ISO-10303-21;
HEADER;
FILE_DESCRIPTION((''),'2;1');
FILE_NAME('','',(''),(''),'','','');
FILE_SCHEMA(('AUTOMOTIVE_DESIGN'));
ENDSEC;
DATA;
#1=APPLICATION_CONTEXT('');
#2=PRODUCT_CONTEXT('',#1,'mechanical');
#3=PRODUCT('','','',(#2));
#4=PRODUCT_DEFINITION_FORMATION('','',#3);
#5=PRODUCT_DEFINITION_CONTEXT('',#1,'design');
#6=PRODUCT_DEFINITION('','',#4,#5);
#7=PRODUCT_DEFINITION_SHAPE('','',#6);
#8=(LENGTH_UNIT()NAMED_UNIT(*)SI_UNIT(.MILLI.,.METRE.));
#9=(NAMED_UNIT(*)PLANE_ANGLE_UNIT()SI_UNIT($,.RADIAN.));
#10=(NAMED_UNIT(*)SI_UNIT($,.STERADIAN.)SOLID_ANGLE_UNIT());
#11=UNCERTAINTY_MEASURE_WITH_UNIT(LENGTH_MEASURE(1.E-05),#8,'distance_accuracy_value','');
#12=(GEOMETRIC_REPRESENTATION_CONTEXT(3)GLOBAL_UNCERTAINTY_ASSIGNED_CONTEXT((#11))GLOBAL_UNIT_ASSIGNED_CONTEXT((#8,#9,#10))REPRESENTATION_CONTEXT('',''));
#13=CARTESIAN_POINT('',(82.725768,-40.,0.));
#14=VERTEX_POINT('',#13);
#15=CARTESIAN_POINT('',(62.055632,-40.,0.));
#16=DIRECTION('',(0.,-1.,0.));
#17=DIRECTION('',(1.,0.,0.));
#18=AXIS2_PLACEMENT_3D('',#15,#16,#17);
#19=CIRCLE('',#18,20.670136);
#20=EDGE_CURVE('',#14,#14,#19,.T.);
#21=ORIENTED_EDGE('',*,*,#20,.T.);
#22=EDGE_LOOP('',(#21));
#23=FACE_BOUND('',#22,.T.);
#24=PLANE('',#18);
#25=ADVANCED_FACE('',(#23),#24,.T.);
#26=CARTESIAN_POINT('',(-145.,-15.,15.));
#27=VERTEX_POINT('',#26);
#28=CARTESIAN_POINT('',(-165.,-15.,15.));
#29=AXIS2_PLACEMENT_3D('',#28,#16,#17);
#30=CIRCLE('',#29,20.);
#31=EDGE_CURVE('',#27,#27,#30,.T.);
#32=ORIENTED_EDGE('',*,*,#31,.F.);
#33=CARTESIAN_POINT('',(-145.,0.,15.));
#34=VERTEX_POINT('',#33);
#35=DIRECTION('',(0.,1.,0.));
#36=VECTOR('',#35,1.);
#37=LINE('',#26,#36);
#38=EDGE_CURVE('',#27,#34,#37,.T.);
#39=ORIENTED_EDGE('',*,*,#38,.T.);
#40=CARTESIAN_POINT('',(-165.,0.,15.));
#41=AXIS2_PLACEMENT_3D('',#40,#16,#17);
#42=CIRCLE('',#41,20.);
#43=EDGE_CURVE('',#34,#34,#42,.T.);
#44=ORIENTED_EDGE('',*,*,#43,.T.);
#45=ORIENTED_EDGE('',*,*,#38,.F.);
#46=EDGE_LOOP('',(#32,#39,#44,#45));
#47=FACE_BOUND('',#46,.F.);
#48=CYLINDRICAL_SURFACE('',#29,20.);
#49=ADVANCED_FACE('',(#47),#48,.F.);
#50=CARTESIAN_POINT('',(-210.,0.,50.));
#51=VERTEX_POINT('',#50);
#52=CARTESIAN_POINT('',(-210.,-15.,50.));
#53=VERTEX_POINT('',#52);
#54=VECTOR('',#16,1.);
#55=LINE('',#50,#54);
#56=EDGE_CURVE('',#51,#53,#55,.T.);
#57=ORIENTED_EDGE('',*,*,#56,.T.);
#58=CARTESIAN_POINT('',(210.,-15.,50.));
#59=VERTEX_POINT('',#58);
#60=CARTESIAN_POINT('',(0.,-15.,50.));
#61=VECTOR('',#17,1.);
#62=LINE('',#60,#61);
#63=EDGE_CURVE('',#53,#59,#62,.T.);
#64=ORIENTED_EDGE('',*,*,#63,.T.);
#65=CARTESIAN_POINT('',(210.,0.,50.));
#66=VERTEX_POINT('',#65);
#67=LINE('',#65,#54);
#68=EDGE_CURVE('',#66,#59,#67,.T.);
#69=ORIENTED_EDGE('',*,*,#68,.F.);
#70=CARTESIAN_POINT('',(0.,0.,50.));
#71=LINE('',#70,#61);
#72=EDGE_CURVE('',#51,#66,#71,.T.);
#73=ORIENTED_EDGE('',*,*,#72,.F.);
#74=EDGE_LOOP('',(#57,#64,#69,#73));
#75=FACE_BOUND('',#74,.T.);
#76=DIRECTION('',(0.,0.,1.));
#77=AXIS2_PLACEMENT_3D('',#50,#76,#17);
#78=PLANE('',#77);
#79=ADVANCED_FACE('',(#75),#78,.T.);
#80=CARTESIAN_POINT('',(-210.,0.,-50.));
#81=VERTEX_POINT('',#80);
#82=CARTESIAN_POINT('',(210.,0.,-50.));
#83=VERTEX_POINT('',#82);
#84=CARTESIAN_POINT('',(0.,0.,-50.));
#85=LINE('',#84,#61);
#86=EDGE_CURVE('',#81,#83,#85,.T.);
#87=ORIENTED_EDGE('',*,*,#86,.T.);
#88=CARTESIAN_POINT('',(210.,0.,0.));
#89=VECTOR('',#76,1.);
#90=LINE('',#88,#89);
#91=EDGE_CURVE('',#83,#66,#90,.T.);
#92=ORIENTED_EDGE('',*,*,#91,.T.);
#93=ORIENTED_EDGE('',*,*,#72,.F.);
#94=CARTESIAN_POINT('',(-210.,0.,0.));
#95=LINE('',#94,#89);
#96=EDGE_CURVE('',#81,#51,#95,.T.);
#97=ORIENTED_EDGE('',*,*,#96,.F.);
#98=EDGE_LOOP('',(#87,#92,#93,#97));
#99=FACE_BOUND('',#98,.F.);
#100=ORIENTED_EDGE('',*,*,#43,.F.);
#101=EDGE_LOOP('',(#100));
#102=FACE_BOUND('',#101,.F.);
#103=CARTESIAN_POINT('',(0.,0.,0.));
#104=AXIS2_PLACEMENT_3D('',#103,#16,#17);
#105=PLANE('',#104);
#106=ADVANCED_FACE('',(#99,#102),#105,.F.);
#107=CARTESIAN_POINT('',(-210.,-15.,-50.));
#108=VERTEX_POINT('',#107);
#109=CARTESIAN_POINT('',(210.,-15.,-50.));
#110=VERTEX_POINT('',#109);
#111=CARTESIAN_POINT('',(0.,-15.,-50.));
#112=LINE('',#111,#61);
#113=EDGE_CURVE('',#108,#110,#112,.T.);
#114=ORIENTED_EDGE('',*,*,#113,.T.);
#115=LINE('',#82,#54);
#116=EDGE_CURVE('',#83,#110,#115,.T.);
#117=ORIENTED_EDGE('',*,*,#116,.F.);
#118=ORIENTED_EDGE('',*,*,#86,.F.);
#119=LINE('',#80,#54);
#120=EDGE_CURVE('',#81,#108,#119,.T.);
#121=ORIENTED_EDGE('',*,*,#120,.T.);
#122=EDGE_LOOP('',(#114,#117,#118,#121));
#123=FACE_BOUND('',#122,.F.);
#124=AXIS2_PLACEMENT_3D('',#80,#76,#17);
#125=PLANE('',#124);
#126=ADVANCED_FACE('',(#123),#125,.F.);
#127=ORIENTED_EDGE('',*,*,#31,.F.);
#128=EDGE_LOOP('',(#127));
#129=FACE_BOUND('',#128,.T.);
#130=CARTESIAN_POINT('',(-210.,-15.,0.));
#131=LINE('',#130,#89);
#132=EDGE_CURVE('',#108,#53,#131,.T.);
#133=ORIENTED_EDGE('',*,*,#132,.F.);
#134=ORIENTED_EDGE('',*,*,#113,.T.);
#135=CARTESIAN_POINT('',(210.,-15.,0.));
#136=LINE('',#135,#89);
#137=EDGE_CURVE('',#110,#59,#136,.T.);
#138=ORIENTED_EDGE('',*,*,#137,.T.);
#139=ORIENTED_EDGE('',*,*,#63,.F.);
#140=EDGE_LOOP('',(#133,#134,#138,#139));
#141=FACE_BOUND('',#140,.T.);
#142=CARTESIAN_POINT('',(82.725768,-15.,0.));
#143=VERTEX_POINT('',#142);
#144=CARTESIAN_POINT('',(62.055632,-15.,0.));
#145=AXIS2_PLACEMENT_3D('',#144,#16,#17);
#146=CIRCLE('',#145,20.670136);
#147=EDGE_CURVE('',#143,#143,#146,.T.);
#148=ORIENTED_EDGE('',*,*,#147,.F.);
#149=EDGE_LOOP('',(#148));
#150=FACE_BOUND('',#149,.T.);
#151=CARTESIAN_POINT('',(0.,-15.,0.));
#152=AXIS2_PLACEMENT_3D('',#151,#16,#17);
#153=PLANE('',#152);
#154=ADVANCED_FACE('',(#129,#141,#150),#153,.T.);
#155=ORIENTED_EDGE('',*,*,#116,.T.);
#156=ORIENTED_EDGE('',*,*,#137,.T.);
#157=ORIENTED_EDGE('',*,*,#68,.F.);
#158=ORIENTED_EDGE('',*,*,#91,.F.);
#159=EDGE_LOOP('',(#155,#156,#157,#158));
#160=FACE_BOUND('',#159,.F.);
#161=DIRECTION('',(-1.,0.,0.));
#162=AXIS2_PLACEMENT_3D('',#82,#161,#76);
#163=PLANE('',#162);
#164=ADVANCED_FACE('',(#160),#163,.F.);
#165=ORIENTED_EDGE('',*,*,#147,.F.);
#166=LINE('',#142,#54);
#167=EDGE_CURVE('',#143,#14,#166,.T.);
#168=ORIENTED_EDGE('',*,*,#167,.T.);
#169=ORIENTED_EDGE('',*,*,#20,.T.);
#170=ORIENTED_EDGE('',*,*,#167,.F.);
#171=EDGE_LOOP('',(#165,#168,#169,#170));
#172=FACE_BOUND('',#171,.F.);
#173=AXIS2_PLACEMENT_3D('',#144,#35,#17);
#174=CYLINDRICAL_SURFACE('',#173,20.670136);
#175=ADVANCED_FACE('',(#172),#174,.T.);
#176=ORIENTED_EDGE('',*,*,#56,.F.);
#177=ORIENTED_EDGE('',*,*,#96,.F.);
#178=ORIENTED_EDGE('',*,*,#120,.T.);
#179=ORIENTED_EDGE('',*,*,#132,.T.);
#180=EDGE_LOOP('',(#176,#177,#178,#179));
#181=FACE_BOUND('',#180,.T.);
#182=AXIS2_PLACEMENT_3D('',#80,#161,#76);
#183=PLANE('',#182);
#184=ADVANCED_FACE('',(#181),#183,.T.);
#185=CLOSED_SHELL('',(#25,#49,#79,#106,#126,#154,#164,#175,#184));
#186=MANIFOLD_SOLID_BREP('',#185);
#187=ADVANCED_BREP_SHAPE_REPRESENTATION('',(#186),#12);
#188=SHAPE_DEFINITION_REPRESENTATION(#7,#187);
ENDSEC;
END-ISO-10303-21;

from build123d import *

# Parameters (mm, degrees)
F0_W     = 420
F0_H     = 100
F1_DEPTH = 15
F2_R     = 20
F3_DEPTH = 15.001
F4_R     = 20.670136
F5_DEPTH = 25


with BuildPart() as f1:
    # F0 (on Front) → F1 (new body)
    with BuildSketch(Plane.XZ):
        Rectangle(F0_W, F0_H)
    extrude(amount=F1_DEPTH)

    # F2 (on face) → F3 (cut, through all)
    with BuildSketch(Plane.XZ.offset(15)):
        with Locations((-165, 15)):
            Circle(F2_R)
    extrude(amount=-F3_DEPTH, mode=Mode.SUBTRACT)

    # F4 (on face) → F5 (join)
    with BuildSketch(Plane.XZ.offset(15)):
        with Locations((62.055632, 0)):
            Circle(F4_R)
    extrude(amount=F5_DEPTH)


solid = f1.part
